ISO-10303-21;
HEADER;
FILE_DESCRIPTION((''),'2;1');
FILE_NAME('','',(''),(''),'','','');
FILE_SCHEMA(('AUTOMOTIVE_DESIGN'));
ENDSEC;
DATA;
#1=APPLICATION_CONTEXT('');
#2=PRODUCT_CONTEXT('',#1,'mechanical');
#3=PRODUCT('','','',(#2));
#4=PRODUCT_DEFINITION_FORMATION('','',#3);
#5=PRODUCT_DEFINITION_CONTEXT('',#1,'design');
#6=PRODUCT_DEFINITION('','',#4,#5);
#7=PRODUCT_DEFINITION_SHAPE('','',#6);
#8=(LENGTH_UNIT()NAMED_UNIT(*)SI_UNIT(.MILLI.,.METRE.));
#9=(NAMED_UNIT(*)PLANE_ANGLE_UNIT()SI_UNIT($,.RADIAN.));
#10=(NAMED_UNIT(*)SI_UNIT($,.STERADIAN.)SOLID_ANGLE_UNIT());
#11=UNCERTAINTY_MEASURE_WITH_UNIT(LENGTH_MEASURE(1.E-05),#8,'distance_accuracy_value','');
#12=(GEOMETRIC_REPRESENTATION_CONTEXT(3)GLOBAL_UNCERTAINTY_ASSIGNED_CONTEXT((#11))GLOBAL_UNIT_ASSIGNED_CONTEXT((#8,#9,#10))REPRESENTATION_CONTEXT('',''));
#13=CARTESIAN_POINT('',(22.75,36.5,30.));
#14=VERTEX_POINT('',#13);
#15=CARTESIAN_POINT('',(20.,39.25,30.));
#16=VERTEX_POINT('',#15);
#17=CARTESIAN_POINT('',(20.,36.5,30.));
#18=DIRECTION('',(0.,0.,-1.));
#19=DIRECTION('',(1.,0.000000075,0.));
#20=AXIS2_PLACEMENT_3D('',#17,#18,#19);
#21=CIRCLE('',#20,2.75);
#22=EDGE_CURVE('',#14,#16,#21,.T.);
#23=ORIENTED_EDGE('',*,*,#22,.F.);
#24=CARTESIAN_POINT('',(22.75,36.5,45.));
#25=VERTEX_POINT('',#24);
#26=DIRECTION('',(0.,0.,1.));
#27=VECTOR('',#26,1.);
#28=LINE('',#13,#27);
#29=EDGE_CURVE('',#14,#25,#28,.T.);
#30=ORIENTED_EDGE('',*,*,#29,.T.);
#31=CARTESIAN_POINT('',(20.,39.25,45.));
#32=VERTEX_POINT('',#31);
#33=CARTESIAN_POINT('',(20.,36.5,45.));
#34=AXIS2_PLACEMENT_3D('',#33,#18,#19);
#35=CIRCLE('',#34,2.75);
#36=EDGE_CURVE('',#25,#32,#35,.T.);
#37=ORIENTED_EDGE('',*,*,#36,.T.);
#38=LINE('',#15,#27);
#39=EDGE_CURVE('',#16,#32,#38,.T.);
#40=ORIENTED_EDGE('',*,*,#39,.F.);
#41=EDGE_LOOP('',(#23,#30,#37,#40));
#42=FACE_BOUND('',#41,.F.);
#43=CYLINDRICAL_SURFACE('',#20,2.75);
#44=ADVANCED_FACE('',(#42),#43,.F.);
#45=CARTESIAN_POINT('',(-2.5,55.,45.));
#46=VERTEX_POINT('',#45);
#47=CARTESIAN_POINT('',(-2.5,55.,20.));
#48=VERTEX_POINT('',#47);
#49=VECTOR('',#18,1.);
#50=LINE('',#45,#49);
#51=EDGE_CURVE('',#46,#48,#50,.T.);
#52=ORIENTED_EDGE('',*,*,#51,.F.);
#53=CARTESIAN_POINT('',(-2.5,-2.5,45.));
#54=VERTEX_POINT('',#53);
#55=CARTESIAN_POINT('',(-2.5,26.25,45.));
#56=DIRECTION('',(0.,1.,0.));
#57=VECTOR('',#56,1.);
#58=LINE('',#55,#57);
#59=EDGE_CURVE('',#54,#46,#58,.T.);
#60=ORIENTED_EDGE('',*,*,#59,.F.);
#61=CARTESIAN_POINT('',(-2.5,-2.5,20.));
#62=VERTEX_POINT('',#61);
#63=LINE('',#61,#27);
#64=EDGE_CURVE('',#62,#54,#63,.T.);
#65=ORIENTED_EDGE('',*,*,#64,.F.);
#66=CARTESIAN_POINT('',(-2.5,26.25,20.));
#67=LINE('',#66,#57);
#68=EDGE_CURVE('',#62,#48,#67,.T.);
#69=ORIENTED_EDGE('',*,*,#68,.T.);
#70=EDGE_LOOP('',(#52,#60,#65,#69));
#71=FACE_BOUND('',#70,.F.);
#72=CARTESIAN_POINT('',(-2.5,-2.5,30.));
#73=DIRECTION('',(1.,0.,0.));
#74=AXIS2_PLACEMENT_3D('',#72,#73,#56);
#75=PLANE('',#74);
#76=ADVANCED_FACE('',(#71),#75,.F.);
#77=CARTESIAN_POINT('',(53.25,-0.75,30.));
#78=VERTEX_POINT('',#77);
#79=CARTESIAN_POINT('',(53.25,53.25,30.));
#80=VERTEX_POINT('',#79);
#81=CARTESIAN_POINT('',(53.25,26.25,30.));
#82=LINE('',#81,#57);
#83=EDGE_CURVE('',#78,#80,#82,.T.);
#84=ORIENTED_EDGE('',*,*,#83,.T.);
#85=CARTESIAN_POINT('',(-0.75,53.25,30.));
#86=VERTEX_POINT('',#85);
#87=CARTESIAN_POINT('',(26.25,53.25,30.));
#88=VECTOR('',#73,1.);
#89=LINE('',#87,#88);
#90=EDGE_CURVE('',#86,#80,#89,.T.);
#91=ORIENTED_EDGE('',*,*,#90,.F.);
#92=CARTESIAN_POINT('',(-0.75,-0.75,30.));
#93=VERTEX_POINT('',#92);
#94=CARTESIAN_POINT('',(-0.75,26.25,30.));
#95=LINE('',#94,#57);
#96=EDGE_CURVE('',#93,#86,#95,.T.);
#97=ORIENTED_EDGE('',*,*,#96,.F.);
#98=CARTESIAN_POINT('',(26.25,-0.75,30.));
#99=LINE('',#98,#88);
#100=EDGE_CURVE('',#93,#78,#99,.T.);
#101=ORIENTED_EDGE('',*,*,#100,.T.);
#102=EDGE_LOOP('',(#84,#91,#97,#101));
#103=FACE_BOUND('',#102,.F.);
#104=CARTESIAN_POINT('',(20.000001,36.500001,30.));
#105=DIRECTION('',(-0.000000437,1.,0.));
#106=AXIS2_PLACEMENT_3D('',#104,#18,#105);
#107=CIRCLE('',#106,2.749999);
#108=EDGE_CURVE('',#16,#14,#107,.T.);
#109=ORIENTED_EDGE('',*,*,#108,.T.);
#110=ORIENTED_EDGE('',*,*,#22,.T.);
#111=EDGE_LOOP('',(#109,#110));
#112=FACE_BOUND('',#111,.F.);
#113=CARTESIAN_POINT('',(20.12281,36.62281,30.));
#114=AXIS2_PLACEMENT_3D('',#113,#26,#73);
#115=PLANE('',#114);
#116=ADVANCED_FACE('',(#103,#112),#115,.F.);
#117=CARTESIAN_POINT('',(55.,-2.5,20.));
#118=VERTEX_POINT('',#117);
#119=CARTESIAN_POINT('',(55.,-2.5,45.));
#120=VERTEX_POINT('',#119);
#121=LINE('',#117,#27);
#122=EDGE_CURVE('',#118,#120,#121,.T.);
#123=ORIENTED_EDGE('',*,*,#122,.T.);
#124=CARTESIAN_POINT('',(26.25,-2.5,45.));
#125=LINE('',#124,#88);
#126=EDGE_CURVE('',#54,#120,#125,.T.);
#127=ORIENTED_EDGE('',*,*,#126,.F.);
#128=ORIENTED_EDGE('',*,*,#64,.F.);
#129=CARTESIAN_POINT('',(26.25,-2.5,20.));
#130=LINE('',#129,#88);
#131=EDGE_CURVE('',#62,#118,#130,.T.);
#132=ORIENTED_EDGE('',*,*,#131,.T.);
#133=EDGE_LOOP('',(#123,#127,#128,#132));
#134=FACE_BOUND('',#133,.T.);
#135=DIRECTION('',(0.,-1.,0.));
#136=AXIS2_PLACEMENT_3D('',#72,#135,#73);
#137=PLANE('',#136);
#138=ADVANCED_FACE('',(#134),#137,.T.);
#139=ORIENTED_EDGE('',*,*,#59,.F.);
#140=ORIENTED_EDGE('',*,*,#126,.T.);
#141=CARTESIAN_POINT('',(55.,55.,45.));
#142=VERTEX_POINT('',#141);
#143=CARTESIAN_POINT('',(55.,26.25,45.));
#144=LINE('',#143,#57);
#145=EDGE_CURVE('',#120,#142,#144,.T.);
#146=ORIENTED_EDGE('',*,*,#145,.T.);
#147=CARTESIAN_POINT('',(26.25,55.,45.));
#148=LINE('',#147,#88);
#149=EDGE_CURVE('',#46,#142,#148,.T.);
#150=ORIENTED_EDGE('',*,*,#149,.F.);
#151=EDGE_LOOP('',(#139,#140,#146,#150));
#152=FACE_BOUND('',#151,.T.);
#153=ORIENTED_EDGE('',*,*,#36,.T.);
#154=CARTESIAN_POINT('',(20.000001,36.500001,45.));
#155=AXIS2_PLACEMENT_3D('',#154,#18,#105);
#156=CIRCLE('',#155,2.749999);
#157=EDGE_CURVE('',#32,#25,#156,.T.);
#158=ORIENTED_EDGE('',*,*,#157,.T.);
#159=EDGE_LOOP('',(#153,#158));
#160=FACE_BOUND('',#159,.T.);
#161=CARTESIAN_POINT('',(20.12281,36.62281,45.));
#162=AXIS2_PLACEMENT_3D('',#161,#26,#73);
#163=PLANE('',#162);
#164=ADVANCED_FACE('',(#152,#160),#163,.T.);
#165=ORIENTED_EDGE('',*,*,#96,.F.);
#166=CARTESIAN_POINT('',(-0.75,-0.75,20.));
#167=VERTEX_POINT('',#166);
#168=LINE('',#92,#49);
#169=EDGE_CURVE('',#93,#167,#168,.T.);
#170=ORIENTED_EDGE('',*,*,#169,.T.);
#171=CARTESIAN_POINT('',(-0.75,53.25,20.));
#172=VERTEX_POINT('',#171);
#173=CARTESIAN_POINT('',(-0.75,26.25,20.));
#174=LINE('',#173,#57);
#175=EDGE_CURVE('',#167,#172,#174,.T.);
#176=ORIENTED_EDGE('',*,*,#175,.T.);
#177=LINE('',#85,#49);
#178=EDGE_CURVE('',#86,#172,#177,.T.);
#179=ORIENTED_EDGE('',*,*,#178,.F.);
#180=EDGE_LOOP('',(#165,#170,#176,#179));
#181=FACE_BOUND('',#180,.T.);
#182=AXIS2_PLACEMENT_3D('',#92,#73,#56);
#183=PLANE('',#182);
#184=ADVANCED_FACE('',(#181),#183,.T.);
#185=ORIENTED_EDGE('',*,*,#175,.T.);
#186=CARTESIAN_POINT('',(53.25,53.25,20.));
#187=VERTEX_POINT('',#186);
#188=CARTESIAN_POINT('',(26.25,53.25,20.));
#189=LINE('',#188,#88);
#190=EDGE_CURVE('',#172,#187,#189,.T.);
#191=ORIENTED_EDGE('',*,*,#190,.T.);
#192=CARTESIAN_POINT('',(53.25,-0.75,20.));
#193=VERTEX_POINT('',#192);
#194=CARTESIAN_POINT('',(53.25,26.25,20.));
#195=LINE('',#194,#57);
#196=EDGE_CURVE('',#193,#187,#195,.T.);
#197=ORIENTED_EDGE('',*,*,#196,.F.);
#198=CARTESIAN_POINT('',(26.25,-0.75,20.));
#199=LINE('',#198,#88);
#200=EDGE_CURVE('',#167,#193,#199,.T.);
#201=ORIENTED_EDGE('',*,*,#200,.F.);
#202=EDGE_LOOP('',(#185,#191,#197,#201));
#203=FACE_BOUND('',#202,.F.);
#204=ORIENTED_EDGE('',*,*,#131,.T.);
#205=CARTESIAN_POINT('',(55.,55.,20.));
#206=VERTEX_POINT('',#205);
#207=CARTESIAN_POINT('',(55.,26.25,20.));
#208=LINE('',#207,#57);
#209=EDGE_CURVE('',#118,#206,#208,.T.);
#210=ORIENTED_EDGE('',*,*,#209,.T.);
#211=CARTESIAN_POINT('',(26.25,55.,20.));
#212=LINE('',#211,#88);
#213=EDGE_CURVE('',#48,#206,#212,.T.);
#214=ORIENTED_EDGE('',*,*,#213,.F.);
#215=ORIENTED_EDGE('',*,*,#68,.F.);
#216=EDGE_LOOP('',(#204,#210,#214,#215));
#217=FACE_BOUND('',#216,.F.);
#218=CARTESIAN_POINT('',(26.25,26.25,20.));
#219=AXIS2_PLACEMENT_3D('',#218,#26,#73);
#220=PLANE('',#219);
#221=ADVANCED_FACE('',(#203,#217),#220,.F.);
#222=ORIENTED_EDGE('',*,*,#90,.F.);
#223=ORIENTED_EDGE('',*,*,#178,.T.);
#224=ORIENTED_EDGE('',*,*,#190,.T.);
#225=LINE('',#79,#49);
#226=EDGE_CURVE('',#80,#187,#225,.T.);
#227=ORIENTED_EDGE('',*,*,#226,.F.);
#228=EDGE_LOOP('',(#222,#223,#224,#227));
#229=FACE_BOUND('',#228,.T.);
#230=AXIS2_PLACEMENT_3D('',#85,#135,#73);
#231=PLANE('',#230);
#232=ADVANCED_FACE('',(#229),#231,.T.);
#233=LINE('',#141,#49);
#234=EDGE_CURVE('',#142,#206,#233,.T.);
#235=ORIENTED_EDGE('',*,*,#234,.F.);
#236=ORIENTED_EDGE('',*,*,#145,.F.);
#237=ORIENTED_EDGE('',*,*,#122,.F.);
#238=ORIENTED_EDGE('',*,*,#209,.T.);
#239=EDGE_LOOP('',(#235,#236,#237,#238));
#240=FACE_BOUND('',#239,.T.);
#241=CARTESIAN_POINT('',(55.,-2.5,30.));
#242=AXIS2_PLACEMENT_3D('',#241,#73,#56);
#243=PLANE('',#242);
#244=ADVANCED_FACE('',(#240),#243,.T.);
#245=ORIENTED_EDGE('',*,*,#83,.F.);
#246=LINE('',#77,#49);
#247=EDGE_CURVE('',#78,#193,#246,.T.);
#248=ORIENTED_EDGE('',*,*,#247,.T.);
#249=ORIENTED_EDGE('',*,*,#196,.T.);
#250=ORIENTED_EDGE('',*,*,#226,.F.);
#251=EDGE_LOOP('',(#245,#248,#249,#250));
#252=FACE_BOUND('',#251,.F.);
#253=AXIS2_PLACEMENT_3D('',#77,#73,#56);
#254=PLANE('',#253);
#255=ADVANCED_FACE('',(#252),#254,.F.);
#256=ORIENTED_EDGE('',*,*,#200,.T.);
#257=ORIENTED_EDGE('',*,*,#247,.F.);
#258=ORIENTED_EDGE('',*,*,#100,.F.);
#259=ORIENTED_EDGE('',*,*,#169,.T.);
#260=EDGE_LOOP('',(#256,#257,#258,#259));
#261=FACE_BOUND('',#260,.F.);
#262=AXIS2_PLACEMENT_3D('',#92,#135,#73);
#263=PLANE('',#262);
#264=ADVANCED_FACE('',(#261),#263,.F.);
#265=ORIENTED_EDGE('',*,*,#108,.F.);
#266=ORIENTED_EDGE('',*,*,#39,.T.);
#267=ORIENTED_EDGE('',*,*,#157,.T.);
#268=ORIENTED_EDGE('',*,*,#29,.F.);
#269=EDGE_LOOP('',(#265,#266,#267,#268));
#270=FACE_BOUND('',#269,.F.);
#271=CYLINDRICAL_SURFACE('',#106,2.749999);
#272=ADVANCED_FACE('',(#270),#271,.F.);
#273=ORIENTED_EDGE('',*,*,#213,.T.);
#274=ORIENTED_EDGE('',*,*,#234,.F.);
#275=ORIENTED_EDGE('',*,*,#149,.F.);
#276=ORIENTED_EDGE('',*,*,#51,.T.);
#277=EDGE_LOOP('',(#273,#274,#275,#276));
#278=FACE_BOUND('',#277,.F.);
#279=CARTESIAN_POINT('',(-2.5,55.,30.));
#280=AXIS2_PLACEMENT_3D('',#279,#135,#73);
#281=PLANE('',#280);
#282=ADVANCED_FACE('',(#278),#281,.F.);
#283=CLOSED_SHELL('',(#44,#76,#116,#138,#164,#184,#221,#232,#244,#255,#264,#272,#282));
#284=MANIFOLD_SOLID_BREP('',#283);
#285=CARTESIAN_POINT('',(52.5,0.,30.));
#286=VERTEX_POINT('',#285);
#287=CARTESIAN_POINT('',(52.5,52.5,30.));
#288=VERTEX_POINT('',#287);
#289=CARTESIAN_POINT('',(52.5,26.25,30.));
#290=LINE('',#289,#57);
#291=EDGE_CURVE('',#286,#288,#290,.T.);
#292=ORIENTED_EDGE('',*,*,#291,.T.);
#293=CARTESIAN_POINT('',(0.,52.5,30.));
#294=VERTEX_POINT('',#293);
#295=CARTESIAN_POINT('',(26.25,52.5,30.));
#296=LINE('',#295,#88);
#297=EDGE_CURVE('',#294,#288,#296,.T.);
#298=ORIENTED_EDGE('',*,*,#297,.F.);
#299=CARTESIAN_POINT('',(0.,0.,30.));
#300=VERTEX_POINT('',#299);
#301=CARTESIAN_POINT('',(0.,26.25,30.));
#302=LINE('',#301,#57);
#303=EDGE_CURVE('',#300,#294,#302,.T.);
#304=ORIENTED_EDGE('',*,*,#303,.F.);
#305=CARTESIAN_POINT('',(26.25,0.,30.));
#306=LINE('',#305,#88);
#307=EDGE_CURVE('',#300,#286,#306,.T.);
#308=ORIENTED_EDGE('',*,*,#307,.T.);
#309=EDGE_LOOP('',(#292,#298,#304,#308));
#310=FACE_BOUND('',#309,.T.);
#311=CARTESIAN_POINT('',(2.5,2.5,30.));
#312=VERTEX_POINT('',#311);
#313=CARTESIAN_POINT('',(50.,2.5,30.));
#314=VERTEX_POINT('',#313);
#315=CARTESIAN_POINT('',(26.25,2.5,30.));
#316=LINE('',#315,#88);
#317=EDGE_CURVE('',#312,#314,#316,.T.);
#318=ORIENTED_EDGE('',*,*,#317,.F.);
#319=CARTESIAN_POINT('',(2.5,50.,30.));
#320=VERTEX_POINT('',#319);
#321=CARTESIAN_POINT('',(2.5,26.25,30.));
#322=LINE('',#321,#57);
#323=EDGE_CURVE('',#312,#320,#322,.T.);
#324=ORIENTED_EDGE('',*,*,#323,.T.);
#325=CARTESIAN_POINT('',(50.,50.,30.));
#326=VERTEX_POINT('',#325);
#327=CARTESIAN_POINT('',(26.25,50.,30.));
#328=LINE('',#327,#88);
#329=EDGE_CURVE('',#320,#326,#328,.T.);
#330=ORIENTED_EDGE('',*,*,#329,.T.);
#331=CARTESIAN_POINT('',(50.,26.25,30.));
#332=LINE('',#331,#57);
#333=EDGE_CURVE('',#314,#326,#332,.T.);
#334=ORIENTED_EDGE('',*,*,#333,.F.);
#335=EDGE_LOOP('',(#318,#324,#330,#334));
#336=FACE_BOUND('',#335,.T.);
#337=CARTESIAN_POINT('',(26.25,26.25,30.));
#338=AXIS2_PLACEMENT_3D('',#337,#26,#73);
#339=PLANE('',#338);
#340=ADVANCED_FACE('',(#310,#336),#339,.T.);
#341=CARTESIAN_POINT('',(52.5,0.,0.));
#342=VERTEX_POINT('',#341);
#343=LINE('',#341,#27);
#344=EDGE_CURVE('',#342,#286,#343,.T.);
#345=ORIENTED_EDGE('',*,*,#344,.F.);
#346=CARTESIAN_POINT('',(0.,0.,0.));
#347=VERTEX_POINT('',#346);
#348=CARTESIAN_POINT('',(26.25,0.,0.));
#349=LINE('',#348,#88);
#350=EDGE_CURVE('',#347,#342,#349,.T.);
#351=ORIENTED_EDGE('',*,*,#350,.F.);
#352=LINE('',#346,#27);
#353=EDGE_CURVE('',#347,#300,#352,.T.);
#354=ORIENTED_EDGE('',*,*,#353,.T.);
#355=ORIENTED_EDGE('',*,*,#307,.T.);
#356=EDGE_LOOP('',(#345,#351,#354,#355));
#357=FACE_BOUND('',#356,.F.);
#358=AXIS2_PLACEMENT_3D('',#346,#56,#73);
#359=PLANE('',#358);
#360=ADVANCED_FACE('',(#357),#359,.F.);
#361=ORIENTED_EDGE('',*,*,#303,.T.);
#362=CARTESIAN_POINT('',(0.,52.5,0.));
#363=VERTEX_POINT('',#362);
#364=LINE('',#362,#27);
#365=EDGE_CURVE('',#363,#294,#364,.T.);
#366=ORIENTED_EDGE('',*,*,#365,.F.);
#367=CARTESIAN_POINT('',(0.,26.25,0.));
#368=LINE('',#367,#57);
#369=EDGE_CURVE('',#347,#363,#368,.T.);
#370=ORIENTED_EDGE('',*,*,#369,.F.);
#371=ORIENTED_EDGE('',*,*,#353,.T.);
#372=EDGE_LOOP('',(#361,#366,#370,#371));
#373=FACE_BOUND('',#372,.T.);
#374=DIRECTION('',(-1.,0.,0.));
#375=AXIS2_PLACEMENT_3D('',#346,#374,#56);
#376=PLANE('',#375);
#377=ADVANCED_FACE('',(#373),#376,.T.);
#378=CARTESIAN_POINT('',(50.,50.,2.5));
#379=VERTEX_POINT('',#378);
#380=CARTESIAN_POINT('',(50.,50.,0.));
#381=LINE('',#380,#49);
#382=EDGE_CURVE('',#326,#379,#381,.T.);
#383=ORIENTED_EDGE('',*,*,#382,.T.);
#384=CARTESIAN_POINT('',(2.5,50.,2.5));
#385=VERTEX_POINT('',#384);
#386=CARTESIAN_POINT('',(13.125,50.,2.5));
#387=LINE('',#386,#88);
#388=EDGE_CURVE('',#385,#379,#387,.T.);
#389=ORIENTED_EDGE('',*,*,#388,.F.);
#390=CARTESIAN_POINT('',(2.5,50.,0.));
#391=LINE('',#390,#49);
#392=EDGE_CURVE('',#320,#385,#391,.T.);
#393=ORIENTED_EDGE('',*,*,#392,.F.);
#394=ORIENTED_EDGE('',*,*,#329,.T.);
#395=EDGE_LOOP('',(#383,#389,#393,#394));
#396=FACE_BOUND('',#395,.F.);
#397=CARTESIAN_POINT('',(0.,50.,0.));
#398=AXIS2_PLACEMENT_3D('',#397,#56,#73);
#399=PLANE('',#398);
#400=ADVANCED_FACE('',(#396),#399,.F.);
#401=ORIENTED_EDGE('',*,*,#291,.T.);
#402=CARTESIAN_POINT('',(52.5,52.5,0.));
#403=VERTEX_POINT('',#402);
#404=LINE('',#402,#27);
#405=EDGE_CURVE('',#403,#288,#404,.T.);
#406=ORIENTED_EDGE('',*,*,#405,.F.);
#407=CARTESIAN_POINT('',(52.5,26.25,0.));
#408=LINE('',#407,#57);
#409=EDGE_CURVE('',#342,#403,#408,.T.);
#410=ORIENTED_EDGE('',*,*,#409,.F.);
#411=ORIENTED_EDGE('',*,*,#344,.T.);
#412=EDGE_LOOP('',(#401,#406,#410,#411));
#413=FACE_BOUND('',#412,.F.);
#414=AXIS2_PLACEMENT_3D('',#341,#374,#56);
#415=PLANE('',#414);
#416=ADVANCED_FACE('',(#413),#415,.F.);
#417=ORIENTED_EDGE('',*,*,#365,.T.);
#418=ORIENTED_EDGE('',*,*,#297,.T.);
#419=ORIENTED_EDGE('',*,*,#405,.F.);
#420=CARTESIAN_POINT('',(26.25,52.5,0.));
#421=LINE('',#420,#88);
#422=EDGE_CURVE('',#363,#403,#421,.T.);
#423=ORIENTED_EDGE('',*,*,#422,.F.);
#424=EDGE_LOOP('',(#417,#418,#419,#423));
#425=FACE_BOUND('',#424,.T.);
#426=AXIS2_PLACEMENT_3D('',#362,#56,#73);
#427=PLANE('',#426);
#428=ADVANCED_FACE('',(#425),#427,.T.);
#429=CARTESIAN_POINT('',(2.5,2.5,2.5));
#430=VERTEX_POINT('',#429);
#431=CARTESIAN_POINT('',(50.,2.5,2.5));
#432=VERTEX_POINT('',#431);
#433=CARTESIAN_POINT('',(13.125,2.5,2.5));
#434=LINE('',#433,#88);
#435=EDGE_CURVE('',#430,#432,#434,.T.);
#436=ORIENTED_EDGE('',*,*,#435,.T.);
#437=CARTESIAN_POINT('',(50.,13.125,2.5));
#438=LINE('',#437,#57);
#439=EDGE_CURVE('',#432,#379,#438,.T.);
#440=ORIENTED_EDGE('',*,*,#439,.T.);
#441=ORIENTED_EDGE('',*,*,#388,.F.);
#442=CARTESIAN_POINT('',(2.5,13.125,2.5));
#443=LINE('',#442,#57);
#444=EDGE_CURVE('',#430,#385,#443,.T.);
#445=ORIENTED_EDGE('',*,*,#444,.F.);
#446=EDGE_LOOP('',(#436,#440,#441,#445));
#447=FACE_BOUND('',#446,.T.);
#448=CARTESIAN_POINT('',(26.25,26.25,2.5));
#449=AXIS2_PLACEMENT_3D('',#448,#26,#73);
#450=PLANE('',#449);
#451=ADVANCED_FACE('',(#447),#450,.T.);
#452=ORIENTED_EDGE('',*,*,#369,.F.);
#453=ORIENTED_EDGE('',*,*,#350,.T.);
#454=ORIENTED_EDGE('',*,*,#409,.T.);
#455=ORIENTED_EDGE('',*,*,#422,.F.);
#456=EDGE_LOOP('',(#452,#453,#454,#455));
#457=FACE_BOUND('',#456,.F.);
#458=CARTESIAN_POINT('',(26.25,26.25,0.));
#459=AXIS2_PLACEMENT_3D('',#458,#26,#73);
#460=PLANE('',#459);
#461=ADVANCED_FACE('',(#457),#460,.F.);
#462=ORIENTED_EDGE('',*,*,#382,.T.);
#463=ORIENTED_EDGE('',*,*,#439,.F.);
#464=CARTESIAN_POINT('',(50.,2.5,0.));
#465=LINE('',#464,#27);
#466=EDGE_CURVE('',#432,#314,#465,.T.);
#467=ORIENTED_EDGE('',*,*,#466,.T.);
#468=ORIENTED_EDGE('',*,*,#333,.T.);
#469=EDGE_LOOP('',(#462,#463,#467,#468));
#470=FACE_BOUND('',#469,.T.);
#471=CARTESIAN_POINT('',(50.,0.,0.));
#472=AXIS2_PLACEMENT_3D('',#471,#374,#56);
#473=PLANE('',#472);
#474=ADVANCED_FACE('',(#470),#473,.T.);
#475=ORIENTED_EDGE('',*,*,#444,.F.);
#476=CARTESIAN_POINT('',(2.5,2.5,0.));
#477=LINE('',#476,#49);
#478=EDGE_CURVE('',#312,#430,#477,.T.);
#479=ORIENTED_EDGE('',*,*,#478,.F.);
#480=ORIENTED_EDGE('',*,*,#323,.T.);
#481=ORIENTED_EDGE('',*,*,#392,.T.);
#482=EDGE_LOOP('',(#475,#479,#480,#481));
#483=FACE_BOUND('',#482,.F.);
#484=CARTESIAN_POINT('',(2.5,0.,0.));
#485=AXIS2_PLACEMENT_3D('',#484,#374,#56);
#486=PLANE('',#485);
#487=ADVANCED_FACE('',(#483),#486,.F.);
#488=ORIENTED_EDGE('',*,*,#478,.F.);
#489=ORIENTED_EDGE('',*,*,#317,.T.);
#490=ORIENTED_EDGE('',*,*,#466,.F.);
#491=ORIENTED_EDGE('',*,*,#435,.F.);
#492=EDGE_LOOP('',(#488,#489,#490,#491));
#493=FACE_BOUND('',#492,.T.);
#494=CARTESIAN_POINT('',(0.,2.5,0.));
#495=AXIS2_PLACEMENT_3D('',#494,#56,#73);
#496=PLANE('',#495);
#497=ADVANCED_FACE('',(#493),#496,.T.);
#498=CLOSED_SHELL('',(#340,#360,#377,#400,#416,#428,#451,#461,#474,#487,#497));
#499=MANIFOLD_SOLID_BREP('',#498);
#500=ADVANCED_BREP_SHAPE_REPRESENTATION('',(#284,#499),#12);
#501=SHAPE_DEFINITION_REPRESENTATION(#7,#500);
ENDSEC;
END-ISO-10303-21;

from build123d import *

# Parameters (mm, degrees)
F0_W     = 52.5
F0_H     = 52.5
F1_DEPTH = 30
F2_T     = -2.5
F3_W     = 57.5
F3_H     = 57.5
F3_W_2   = 54
F3_H_2   = 54
F4_DEPTH = 15
F5_DEPTH = 10


with BuildPart() as f1:
    # F0 (on Top) → F1 (new body)
    with BuildSketch(Plane.XY):
        with Locations((26.25, 26.25)):
            Rectangle(F0_W, F0_H)
    extrude(amount=F1_DEPTH)

    # F2
    f2_openings = [f1.faces().sort_by_distance(p)[0] for p in [
        (26.25, 26.25, 30),
    ]]
    offset(amount=F2_T, openings=f2_openings)


with BuildPart() as f4:
    # F3 (on face) → F4 (new body)
    with BuildSketch(Plane.XY.offset(30)):
        with BuildLine():
            ThreePointArc((22.75, 36.5), (21.944544, 38.444544), (20, 39.25))
            ThreePointArc((20, 39.25), (18.055456, 34.555456), (22.75, 36.5))
        make_face()
        with Locations((26.25, 26.25)):
            Rectangle(F3_W, F3_H)
        with Locations((26.25, 26.25)):
            Rectangle(F3_W_2, F3_H_2, mode=Mode.SUBTRACT)
        with Locations((26.25, 26.25)):
            Rectangle(F3_W_2, F3_H_2)
        Polygon((2.5, 2.5), (2.5, 50), (20, 50), (50, 50), (50, 2.5), align=None, mode=Mode.SUBTRACT)
        Polygon((20, 50), (2.5, 50), (2.5, 2.5), (50, 2.5), (50, 50), align=None)
        with BuildLine():
            ThreePointArc((22.75, 36.5), (18.055456, 34.555456), (20, 39.25))
            ThreePointArc((20, 39.25), (21.944544, 38.444544), (22.75, 36.5))
        make_face(mode=Mode.SUBTRACT)
    extrude(amount=F4_DEPTH)

    # F3 (on face) → F5 (join)
    with BuildSketch(Plane.XY.offset(30)):
        with Locations((26.25, 26.25)):
            Rectangle(F3_W, F3_H)
        with Locations((26.25, 26.25)):
            Rectangle(F3_W_2, F3_H_2, mode=Mode.SUBTRACT)
    extrude(amount=-F5_DEPTH)


solid = Compound([f1.part, f4.part])
